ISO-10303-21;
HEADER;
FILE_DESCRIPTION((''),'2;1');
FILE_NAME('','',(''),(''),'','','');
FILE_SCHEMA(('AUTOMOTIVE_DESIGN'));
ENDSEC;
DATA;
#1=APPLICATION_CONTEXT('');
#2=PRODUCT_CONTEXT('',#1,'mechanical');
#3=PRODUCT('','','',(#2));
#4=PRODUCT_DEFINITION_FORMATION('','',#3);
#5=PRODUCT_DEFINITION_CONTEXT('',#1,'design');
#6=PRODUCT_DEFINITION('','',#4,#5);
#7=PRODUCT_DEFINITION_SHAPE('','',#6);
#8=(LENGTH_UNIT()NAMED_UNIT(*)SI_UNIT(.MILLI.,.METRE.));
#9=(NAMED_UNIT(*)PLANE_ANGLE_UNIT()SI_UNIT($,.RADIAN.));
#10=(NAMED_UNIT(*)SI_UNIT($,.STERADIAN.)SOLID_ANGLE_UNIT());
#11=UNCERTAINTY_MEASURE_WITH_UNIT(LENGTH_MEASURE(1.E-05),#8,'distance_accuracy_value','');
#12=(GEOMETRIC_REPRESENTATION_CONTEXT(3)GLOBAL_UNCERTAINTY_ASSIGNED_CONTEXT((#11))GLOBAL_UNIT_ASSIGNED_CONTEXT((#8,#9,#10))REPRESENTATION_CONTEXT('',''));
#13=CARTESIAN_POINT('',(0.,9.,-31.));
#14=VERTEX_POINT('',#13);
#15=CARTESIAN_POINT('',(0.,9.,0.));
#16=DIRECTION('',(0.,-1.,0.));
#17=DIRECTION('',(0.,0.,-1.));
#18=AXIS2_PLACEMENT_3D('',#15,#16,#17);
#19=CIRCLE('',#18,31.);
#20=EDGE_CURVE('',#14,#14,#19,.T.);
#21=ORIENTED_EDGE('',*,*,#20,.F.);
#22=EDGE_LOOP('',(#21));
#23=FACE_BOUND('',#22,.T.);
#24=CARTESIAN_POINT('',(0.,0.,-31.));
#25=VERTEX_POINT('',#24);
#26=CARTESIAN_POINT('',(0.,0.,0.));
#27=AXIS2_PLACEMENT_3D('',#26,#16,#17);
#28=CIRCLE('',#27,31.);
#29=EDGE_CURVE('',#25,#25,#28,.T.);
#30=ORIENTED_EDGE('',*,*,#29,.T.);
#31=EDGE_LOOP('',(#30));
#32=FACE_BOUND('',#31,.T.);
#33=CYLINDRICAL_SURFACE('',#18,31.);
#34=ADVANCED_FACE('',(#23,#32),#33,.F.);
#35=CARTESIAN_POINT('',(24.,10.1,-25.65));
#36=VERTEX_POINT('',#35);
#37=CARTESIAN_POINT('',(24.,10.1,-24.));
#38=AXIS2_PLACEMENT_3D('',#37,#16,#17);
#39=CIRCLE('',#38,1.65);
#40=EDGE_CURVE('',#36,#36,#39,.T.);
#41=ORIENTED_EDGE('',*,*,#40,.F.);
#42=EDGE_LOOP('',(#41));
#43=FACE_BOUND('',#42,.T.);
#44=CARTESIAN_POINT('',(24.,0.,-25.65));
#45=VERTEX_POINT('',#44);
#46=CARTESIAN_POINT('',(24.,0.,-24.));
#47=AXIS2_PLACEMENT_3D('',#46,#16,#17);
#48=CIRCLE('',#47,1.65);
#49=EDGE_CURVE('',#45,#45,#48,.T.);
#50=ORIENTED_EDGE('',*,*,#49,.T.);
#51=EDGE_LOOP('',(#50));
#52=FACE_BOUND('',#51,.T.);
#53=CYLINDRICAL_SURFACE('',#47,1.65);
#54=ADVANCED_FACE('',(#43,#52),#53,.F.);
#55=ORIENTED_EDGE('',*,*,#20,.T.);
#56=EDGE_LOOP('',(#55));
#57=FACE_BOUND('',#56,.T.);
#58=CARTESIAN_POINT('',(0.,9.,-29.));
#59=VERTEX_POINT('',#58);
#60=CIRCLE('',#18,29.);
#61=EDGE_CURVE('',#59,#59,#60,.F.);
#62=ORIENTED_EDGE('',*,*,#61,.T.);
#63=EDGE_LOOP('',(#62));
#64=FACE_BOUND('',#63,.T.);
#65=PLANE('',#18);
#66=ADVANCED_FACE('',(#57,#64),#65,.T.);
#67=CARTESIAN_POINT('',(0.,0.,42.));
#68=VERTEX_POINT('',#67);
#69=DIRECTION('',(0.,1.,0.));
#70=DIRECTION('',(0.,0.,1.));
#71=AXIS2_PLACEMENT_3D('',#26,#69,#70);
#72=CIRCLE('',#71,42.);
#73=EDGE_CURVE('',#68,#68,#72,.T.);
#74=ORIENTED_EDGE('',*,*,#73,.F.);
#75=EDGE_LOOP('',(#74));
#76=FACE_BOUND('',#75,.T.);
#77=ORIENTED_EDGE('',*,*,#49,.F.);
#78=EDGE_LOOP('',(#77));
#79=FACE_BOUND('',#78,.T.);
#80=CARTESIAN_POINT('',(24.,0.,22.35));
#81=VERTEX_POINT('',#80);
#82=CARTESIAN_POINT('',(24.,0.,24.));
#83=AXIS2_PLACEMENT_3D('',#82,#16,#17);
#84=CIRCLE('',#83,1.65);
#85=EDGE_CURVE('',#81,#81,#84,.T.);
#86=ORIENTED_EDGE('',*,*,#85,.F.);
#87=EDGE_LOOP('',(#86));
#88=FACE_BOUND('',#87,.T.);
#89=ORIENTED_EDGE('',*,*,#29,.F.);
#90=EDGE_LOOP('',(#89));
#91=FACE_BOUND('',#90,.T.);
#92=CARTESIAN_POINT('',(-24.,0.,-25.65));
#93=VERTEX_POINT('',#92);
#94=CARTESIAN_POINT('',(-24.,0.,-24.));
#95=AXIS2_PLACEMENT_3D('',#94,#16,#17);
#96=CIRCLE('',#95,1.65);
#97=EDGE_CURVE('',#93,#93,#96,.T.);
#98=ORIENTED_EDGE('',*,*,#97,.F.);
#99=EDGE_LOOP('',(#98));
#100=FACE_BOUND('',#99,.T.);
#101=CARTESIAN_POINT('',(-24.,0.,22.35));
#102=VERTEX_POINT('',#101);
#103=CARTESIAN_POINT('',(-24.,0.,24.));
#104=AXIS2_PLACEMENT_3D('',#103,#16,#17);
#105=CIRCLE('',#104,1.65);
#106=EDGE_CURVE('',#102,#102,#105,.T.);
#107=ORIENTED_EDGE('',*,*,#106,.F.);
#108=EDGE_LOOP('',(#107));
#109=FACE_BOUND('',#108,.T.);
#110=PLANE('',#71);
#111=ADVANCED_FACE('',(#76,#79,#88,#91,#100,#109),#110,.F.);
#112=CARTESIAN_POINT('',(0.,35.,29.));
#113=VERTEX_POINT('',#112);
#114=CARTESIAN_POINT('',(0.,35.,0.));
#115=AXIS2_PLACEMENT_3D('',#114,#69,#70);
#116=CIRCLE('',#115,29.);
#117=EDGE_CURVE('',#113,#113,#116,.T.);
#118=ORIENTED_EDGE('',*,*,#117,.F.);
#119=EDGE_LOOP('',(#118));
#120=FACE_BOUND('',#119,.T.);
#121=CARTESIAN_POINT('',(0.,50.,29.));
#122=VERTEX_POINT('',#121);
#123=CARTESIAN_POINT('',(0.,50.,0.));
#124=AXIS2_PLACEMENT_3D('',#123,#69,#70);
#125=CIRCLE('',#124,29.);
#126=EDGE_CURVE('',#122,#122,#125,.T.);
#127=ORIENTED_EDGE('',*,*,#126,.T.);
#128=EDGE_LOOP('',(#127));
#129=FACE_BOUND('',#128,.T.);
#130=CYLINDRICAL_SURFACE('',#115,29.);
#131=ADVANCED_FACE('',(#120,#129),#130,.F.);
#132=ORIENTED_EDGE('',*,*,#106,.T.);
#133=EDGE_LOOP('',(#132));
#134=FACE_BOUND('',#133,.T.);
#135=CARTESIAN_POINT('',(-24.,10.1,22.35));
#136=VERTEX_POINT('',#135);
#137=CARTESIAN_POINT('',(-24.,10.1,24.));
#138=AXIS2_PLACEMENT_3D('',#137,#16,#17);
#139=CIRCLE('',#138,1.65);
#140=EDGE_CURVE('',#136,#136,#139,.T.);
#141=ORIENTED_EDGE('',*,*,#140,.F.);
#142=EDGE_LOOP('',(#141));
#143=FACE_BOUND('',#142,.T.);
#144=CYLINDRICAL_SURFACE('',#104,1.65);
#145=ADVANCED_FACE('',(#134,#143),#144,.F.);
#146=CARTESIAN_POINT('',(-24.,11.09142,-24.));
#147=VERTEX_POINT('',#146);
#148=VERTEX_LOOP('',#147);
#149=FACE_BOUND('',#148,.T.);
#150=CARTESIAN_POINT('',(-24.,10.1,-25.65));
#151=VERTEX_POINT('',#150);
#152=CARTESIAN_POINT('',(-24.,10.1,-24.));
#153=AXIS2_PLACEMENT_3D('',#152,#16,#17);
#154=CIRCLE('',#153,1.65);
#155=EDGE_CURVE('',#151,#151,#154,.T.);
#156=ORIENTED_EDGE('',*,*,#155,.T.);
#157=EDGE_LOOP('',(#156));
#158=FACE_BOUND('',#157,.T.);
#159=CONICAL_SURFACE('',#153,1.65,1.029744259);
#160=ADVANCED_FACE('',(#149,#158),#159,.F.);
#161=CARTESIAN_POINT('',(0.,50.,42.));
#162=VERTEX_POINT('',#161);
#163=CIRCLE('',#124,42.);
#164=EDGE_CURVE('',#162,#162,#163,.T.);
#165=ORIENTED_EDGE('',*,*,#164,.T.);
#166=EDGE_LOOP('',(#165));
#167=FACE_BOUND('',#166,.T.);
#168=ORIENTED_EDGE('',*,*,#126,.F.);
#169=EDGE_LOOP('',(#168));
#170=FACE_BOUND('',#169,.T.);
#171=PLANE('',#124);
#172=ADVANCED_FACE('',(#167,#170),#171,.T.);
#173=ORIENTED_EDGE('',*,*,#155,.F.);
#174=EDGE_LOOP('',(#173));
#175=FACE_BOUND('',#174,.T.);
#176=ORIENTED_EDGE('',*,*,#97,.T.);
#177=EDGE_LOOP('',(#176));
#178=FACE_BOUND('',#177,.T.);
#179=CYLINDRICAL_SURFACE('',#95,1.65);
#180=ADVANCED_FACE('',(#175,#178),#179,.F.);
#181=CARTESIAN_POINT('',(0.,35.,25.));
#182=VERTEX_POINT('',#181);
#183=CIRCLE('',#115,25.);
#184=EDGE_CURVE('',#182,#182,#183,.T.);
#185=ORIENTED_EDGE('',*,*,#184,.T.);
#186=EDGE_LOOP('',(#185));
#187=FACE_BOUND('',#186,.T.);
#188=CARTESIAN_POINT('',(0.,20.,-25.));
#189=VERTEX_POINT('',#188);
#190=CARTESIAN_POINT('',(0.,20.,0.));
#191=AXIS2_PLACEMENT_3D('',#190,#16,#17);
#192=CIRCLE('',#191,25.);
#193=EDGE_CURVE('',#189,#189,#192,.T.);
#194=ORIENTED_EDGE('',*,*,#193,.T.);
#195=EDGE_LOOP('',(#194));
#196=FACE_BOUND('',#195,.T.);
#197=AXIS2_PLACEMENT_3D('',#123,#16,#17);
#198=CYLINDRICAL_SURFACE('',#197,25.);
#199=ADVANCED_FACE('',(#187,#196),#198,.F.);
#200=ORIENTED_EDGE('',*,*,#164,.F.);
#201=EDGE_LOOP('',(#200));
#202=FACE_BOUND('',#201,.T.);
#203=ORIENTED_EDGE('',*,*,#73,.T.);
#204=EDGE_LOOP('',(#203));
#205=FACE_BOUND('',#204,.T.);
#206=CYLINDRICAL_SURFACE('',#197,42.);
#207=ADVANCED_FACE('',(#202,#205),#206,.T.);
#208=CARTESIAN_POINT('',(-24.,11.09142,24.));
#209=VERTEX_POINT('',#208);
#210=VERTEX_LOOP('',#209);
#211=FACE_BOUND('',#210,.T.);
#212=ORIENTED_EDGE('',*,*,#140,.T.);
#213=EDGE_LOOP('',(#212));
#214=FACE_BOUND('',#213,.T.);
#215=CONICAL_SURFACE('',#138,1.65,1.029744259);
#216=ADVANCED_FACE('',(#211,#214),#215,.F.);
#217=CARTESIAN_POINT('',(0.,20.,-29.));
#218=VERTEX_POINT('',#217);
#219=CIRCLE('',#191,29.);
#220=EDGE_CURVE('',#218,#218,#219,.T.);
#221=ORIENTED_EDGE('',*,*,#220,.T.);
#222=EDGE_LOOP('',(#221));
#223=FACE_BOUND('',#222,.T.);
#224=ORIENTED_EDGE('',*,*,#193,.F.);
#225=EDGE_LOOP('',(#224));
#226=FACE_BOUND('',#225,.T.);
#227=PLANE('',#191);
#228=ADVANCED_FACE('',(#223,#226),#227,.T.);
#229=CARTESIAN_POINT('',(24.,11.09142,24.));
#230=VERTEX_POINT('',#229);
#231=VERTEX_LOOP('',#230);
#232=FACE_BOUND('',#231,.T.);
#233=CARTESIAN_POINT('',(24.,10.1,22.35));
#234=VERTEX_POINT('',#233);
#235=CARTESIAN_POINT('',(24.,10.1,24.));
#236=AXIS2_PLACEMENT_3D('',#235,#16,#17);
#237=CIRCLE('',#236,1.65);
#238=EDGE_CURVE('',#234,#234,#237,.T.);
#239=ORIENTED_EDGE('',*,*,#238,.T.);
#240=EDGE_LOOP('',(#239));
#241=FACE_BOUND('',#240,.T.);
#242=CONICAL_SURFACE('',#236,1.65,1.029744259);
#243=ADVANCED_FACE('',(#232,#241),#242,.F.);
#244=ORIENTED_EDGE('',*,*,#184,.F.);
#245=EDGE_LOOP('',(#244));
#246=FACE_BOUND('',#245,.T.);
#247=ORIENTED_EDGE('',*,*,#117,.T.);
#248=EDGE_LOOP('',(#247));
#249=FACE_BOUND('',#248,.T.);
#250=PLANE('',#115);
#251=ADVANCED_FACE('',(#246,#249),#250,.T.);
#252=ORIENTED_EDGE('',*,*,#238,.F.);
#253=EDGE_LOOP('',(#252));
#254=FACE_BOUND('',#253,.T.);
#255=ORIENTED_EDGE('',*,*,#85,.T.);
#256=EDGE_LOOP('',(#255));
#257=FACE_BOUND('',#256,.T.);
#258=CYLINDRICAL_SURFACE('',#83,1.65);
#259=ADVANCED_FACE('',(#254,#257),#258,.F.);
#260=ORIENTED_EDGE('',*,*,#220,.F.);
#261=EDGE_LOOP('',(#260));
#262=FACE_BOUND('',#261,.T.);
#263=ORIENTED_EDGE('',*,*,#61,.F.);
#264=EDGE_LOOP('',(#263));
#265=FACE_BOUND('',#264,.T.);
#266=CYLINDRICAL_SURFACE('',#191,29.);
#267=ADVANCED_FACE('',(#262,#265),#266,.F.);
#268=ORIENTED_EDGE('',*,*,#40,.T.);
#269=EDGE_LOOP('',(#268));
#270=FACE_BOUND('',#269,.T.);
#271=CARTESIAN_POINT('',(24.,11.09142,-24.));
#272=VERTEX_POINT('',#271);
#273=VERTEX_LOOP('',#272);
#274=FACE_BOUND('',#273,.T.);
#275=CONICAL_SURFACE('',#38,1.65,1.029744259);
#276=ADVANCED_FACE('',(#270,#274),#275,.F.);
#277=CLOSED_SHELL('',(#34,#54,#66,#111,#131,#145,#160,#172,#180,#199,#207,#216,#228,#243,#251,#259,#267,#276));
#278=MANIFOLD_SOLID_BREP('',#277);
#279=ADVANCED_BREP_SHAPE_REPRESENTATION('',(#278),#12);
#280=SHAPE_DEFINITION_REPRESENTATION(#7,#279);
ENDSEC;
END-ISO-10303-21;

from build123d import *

# Parameters (mm, degrees)
SKETCH1_R             = 42
SKETCH1_R_2           = 25
EXTRUDE1_DEPTH        = 50
SKETCH3_R             = 29
EXTRUDE3_DEPTH        = 15
EXTRUDE4_START        = -20
SKETCH4_R             = 29
EXTRUDE4_DEPTH        = 20
SKETCH5_R             = 31
EXTRUDE5_DEPTH        = 9
M4_TAPPED_HOLE1_D     = 3.3
M4_TAPPED_HOLE1_DEPTH = 10.1
M4_TAPPED_HOLE1_TIP   = 0.991420021


with BuildPart() as part:
    # Sketch1 → Extrude1 (new body)
    with BuildSketch(Plane(origin=(0, 0, 0), x_dir=(1, 0, 0), z_dir=(0, 1, 0))):
        with Locations(Location((0, 0, 0), (0, 0, 270))):
            Circle(SKETCH1_R)
        with Locations(Location((0, 0, 0), (0, 0, 270))):
            Circle(SKETCH1_R_2, mode=Mode.SUBTRACT)
    extrude(amount=EXTRUDE1_DEPTH)

    # Sketch3 → Extrude3 (cut)
    with BuildSketch(Plane(origin=(0, 50, 0), x_dir=(1, 0, 0), z_dir=(0, 1, 0))):
        with Locations(Location((0, 0, 0), (0, 0, 270))):
            Circle(SKETCH3_R)
    extrude(amount=-EXTRUDE3_DEPTH, mode=Mode.SUBTRACT)

    # Sketch4 → Extrude4 (cut)
    with BuildSketch(Plane.XZ.offset(EXTRUDE4_START)):
        with Locations(Location((0, 0, 0), (0, 0, 90))):
            Circle(SKETCH4_R)
    extrude(amount=EXTRUDE4_DEPTH, mode=Mode.SUBTRACT)

    # Sketch5 → Extrude5 (cut)
    with BuildSketch(Plane.XZ):
        with Locations(Location((0, 0, 0), (0, 0, 270))):
            Circle(SKETCH5_R)
    extrude(amount=-EXTRUDE5_DEPTH, mode=Mode.SUBTRACT)

    # M4 Tapped Hole1
    with Locations(Plane(origin=(-24, 0, 24), x_dir=(0, 0, -1), z_dir=(0, -1, 0))):
        with Locations((0, 0), (0, 48), (48, 0), (48, 48)):
            Hole(M4_TAPPED_HOLE1_D / 2, depth=M4_TAPPED_HOLE1_DEPTH)
            with Locations((0, 0, -(M4_TAPPED_HOLE1_DEPTH + M4_TAPPED_HOLE1_TIP / 2))):  # 118° drill point
                Cone(0, M4_TAPPED_HOLE1_D / 2, M4_TAPPED_HOLE1_TIP, mode=Mode.SUBTRACT)


solid = part.part
